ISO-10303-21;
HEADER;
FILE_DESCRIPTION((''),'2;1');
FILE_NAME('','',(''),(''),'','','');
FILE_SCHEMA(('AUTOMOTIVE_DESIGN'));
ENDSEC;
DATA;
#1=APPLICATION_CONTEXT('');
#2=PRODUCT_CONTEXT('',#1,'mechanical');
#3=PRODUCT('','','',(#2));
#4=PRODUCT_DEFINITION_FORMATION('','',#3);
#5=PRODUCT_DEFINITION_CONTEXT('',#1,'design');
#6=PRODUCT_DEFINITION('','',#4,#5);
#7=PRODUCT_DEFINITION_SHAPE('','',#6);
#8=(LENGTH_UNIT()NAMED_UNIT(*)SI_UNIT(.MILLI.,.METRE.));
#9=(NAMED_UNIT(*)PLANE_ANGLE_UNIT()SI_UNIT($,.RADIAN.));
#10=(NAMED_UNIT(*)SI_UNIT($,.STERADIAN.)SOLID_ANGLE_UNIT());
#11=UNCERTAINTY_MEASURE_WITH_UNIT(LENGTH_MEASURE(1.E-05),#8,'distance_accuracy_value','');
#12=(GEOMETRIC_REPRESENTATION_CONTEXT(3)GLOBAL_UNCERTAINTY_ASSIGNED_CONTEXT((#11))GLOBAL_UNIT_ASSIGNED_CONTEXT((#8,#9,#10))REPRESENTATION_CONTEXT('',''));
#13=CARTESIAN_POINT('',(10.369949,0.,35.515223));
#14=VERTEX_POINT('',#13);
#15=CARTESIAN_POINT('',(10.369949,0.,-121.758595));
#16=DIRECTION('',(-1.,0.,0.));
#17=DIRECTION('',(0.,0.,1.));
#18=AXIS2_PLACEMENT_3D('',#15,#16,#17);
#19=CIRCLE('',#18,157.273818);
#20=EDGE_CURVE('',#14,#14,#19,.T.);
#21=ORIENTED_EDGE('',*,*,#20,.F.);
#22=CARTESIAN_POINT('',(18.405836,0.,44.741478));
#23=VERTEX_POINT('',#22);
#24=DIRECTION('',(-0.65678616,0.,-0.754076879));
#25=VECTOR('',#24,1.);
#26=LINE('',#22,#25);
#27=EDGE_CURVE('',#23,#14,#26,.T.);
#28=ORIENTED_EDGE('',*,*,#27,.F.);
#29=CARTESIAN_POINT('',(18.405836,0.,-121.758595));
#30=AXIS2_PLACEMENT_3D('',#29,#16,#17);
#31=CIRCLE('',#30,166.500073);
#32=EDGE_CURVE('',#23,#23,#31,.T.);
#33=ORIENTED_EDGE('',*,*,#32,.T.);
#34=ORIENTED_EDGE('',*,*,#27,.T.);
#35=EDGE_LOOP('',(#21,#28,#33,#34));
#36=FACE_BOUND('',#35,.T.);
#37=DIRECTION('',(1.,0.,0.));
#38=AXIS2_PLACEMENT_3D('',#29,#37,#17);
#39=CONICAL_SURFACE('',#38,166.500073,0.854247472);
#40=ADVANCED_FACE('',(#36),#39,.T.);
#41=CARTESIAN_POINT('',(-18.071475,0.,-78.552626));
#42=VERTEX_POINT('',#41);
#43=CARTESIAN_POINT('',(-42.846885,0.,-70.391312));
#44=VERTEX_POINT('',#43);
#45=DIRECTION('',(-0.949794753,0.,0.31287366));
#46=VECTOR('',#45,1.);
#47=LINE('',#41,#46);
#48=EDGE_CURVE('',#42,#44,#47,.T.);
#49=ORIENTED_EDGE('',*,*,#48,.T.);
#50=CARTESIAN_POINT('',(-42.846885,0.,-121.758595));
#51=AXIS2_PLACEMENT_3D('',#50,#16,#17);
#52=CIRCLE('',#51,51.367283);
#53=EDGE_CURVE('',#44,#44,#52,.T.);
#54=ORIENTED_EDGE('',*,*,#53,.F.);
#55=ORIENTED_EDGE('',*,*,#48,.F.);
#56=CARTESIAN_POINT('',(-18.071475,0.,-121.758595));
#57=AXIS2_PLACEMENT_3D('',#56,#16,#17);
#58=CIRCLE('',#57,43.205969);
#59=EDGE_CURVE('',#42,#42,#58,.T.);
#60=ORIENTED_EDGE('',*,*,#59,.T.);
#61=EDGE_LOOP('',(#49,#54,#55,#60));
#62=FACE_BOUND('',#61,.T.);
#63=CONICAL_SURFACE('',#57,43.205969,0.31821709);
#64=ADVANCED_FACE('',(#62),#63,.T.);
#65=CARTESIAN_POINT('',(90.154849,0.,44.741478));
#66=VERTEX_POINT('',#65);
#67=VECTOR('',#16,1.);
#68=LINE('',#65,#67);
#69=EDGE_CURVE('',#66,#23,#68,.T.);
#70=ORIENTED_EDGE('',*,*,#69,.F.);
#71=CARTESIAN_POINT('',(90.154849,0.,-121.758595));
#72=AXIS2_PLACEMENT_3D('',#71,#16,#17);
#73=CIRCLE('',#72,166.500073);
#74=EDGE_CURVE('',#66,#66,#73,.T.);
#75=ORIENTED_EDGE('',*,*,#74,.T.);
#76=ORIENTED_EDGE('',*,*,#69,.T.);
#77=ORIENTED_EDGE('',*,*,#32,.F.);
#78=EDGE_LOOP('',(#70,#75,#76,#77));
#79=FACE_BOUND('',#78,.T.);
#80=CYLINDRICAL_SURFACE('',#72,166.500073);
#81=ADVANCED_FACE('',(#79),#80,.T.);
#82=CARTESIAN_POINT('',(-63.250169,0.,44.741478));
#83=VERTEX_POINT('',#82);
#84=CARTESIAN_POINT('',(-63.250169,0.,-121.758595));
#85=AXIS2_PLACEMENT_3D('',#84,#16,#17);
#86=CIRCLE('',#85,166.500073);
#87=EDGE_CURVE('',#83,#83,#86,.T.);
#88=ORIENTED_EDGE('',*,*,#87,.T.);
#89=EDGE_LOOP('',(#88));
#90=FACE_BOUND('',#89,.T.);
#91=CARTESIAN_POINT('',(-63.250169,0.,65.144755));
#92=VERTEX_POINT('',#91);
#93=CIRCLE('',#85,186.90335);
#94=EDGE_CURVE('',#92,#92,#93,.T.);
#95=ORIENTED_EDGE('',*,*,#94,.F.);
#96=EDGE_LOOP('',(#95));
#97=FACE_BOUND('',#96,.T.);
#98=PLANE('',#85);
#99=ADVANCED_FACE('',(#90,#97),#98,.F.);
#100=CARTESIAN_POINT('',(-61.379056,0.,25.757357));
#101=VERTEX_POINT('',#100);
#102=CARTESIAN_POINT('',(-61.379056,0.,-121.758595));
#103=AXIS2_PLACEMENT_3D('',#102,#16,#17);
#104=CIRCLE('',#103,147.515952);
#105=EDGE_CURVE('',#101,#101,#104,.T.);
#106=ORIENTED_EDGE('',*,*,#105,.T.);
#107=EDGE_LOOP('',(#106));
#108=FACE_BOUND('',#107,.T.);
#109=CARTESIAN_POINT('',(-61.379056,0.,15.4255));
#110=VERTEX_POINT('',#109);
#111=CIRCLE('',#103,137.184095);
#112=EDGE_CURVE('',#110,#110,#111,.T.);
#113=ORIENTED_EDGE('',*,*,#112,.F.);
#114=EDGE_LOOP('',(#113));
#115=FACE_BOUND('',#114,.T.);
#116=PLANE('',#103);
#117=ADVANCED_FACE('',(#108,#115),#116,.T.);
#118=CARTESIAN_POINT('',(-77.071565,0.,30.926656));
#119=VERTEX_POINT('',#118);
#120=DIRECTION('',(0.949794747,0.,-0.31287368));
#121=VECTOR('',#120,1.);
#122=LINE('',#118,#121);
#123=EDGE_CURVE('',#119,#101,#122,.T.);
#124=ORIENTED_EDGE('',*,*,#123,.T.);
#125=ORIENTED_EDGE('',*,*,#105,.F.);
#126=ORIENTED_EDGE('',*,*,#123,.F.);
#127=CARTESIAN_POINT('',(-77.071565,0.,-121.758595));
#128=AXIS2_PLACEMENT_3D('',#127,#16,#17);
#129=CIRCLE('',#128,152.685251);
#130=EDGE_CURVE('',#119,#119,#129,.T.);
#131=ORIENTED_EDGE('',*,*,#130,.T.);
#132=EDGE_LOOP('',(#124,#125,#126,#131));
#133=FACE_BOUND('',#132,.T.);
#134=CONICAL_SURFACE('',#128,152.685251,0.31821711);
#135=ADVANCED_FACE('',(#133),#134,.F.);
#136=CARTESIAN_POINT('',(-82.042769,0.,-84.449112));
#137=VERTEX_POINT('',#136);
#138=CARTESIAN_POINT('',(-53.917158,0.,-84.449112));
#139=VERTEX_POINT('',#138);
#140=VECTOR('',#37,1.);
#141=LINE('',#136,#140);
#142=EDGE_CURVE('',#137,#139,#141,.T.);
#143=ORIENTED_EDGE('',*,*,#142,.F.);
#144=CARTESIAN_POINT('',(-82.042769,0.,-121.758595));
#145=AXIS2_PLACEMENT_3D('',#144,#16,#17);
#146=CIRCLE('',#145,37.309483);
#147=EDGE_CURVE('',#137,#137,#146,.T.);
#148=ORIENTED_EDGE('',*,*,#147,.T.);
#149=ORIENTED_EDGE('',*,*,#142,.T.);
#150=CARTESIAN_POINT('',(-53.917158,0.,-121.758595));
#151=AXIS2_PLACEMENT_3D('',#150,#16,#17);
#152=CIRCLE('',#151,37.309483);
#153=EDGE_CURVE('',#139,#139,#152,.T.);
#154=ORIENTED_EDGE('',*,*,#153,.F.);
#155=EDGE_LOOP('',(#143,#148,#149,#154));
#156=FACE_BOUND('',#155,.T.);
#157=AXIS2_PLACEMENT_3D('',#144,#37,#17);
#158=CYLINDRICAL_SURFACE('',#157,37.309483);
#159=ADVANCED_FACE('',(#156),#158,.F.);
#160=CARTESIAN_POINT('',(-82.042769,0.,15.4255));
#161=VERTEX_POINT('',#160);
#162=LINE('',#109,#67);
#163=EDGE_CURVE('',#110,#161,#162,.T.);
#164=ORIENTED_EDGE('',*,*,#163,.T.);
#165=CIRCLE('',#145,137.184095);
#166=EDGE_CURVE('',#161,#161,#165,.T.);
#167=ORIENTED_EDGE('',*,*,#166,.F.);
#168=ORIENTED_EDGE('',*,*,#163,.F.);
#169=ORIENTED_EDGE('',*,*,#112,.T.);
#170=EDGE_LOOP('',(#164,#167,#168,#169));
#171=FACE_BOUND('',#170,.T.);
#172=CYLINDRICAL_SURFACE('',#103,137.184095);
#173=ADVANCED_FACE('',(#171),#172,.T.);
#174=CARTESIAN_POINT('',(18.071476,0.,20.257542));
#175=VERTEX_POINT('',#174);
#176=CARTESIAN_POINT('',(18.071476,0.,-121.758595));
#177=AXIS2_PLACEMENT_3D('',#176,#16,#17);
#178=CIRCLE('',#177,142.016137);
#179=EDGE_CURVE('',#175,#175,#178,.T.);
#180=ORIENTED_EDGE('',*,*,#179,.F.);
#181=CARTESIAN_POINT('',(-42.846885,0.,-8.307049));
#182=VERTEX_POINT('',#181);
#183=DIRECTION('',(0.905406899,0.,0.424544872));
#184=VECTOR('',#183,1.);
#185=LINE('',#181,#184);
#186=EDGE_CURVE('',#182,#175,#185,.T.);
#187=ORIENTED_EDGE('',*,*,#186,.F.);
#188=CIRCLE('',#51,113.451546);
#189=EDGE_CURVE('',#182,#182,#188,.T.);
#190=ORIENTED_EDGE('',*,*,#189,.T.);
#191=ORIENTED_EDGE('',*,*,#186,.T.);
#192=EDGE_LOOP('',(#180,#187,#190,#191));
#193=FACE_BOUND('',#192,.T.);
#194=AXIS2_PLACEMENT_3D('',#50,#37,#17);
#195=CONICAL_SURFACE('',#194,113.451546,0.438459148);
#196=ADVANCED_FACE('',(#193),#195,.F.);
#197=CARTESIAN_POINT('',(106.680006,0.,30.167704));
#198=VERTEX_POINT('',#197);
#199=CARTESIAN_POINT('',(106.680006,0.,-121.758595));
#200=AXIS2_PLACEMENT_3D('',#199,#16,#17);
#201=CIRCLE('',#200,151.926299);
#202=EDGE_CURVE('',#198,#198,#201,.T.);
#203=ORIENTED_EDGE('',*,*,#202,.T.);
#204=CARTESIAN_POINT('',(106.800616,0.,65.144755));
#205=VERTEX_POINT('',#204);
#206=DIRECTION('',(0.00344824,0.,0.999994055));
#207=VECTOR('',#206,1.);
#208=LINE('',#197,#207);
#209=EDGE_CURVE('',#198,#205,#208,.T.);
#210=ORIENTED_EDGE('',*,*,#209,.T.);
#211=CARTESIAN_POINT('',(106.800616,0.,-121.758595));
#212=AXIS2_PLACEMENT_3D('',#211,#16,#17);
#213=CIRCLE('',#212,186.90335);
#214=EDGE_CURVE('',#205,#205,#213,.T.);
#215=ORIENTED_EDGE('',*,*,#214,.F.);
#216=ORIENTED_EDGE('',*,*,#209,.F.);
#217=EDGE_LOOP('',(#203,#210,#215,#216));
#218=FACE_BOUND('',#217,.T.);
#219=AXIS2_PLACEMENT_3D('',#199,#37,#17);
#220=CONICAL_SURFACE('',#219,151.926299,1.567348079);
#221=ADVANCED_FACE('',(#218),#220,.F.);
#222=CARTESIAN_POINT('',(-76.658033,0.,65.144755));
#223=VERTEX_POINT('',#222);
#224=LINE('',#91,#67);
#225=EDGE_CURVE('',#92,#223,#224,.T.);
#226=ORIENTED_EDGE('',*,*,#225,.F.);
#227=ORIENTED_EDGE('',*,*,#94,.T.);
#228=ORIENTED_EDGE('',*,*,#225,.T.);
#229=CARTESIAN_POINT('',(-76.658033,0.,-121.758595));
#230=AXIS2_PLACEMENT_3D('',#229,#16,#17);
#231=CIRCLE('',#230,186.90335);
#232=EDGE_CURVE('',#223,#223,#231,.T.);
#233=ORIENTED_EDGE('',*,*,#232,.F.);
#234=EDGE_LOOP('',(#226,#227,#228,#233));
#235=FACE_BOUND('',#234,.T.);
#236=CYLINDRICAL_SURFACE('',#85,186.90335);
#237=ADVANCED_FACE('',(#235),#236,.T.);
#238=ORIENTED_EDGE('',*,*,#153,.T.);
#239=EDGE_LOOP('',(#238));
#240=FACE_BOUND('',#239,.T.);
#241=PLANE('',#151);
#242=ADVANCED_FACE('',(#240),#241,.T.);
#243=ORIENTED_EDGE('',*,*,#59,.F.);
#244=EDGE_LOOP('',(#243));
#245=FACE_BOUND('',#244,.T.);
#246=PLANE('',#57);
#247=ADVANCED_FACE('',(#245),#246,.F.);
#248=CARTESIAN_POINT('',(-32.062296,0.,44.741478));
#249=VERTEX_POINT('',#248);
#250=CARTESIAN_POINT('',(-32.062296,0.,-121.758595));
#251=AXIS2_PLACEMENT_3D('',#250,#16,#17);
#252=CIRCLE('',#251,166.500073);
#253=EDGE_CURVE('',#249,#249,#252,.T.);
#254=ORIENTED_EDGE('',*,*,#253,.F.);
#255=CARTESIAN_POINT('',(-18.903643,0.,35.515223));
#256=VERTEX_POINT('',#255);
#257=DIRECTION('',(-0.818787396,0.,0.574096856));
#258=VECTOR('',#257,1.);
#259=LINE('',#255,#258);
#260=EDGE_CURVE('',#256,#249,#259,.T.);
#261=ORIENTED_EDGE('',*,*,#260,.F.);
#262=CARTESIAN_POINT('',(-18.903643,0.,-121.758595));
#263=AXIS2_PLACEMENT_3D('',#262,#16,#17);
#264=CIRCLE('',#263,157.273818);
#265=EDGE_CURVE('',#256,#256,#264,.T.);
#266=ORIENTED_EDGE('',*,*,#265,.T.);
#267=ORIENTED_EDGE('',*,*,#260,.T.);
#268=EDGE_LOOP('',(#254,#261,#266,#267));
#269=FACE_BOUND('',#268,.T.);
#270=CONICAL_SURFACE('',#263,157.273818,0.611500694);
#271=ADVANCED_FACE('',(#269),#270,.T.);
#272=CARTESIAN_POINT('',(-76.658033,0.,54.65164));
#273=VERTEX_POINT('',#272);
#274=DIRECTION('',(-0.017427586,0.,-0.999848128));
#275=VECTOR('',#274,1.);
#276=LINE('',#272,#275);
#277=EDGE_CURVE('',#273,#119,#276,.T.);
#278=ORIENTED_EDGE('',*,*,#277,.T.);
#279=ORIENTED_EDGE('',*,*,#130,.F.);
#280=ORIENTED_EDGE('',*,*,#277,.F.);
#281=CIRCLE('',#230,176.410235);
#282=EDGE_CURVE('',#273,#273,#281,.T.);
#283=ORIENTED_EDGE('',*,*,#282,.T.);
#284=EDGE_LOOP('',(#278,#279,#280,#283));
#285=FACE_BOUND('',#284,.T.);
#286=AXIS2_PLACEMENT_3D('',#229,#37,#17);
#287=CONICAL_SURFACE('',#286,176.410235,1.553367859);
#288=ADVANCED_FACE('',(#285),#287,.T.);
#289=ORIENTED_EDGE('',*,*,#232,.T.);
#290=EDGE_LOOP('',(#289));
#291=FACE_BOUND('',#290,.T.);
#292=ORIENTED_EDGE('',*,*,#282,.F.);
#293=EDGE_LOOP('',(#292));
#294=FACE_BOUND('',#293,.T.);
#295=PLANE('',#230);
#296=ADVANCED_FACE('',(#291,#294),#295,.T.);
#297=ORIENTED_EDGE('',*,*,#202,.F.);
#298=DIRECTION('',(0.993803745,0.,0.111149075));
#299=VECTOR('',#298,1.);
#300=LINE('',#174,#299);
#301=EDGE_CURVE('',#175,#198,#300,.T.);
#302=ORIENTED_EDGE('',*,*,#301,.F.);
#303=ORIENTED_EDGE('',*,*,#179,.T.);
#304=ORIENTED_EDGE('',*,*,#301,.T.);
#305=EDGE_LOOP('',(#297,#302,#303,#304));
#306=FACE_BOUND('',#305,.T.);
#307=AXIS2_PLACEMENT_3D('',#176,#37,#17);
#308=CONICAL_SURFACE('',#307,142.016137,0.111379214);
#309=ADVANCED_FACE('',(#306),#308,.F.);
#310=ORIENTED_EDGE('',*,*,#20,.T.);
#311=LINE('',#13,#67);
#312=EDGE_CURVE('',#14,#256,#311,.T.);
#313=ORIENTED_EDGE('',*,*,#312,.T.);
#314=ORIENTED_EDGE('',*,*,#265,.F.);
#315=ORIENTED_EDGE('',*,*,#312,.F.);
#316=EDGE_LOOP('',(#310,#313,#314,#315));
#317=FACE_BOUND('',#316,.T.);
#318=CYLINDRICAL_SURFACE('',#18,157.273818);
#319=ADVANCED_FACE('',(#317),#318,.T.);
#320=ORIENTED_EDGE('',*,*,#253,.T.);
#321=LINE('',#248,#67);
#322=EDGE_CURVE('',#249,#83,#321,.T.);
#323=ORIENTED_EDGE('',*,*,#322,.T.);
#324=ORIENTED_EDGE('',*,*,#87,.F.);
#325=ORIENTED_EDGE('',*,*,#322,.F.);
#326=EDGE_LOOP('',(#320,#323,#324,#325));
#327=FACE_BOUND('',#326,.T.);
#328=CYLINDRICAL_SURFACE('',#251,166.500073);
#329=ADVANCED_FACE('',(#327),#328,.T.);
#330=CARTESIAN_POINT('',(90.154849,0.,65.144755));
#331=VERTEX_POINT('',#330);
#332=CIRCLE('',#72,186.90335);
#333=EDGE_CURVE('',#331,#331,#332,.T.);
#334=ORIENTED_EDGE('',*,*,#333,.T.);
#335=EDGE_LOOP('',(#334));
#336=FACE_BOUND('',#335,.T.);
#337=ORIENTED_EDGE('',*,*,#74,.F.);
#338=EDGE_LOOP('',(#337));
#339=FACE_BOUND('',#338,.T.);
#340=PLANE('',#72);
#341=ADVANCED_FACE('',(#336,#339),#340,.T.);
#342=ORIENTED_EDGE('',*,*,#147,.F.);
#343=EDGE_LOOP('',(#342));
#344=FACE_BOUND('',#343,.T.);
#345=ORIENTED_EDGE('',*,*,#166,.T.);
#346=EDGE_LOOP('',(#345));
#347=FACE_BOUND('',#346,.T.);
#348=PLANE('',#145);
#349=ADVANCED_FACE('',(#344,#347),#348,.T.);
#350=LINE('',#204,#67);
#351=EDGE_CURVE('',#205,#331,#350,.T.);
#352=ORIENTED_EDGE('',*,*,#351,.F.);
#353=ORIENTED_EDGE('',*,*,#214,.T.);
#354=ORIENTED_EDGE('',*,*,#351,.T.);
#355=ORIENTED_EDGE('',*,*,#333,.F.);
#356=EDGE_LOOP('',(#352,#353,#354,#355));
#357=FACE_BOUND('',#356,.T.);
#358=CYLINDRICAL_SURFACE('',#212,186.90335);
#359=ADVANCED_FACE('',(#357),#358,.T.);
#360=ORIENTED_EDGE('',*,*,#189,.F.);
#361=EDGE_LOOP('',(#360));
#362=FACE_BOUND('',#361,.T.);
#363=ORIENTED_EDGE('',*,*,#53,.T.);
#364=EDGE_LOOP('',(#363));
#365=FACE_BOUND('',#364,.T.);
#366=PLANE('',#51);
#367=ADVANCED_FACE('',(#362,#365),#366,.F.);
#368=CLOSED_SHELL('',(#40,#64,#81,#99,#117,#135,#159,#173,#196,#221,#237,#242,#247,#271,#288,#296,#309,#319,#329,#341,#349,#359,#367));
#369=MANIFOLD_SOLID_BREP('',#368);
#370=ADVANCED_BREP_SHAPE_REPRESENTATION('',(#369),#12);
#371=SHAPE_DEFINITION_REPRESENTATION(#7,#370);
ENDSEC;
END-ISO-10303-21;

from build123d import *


with BuildPart() as f1:
    # F0 (on Front) → F1 (revolve)
    with BuildSketch(Plane.XZ):
        Polygon((-63.250169, 65.144755), (-76.658033, 65.144755), (-76.658033, 54.65164), (-77.071565, 30.926656), (-61.379056, 25.757357), (-61.379056, 15.4255), (-82.042769, 15.4255), (-82.042769, -84.449112), (-53.917158, -84.449112), (-53.917158, -121.758595), (-18.071475, -121.758595), (-18.071475, -78.552626), (-42.846885, -70.391312), (-42.846885, -8.307049), (18.071476, 20.257542), (106.680006, 30.167704), (106.800616, 65.144755), (90.154849, 65.144755), (90.154849, 44.741478), (18.405836, 44.741478), (10.369949, 35.515223), (-18.903643, 35.515223), (-32.062296, 44.741478), (-63.250169, 44.741478), align=None)
    revolve(axis=Axis((-35.994316, 0, -121.758595), (-1, 0, 0)))


solid = f1.part
